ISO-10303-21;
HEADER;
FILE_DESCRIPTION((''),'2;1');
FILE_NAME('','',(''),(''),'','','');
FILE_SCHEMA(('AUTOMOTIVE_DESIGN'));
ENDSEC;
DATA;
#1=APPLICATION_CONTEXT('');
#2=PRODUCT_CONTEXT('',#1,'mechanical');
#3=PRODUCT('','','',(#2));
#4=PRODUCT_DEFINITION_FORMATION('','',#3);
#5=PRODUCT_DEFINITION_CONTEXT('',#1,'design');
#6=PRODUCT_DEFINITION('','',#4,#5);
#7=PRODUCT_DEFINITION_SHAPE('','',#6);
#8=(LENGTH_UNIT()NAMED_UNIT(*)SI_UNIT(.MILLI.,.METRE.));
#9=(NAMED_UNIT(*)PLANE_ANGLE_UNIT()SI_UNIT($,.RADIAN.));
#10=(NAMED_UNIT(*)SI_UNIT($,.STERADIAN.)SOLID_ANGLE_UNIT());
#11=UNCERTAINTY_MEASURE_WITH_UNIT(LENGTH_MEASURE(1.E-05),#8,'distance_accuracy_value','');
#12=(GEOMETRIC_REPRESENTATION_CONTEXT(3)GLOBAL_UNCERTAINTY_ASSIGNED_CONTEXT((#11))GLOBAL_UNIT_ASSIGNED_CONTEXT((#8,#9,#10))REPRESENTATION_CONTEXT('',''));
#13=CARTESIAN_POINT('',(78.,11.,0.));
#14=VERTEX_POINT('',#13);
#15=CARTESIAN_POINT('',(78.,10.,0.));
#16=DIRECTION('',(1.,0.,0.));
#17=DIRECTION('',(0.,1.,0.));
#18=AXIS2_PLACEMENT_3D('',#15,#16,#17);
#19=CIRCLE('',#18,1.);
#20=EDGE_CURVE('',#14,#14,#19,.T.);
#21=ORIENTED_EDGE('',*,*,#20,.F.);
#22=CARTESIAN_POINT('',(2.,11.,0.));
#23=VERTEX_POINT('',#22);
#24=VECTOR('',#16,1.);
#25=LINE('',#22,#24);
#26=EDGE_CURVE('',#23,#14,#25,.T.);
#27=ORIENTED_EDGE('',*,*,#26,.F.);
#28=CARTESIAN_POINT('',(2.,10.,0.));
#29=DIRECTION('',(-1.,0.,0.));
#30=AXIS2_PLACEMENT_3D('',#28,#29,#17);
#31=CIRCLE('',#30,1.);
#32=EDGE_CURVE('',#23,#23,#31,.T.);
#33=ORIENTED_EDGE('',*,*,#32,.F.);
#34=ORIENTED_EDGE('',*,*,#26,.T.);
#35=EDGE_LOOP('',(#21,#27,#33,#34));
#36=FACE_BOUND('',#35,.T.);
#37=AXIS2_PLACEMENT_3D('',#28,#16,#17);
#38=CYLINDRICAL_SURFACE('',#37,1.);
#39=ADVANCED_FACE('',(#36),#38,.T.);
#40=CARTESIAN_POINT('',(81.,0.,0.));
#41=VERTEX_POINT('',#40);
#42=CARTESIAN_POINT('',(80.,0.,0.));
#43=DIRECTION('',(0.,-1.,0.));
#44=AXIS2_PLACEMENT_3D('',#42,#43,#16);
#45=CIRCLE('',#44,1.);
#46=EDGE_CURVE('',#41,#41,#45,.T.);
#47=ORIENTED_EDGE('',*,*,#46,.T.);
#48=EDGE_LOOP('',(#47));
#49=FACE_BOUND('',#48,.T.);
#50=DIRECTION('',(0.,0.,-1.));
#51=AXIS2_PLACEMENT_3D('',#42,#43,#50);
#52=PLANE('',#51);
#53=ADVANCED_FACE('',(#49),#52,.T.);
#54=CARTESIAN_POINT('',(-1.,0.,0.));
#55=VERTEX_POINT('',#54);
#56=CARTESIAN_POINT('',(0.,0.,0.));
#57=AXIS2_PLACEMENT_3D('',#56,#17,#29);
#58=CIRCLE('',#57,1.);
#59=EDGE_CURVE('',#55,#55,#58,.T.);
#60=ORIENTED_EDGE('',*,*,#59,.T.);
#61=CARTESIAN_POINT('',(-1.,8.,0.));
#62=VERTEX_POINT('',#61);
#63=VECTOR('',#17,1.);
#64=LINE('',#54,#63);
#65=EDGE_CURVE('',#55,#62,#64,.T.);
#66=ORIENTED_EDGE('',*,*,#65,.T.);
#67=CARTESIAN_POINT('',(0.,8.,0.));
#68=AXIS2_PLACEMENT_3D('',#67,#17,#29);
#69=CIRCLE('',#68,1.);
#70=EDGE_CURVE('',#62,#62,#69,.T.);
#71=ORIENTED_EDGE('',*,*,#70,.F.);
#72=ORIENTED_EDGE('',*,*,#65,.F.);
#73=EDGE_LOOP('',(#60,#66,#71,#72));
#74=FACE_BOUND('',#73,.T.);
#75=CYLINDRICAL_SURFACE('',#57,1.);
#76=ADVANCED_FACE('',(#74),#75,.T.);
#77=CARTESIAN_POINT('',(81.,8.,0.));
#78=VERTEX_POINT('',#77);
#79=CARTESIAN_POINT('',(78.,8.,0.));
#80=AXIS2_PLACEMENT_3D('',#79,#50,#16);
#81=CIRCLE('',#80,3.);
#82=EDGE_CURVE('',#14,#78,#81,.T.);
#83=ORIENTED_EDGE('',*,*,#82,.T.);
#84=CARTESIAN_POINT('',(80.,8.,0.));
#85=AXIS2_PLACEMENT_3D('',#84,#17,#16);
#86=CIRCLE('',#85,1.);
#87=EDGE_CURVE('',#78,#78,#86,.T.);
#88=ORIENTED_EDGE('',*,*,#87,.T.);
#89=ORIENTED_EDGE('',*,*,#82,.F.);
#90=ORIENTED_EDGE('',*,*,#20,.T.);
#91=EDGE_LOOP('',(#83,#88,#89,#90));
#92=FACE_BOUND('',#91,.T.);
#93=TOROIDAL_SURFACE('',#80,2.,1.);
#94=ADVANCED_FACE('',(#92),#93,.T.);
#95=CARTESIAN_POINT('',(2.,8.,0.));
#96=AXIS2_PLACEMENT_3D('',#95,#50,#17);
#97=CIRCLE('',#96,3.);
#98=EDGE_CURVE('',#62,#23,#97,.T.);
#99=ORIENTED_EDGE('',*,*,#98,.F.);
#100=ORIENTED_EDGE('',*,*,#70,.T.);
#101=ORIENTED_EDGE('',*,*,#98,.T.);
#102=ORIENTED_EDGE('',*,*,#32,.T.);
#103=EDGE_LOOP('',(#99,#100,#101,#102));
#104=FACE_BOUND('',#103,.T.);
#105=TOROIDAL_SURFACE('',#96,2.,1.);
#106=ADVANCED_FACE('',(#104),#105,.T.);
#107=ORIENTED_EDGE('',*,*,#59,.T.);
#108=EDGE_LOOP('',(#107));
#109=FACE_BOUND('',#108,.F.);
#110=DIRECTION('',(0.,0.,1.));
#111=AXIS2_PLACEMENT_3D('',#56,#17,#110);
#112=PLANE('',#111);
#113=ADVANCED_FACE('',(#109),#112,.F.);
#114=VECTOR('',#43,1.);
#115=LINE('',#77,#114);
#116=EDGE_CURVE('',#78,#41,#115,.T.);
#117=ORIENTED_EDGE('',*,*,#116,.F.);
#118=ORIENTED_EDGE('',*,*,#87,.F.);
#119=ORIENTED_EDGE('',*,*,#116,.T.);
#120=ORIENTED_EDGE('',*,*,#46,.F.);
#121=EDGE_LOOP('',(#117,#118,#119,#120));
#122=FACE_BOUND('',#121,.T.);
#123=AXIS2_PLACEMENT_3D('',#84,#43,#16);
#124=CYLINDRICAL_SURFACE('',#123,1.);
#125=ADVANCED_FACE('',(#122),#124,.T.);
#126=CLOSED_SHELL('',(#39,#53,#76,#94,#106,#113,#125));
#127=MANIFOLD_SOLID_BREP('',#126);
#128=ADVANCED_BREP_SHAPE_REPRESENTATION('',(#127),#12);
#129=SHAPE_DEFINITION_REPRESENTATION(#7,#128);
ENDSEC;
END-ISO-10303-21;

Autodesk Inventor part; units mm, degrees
ref_plane "YZ Plane" through (0, 0, 0) normal (1, 0, 0) x (0, 1, 0)
ref_plane "XZ Plane" through (0, 0, 0) normal (0, 1, 0) x (-1, 0, 0)
ref_plane "XY Plane" through (0, 0, 0) normal (0, 0, 1) x (1, 0, 0)
sketch "Sketch1" plane through (0, 0, 0) normal (0, 0, 1) x (1, 0, 0)
  line L0 (0, 0) -> (0, 8)
  line L1 (2, 10) -> (78, 10)
  line L2 (80, 8) -> (80, 0)
  arc A0 (2, 10) -> (0, 8) centre (2, 8) ccw
  arc A1 (80, 8) -> (78, 10) centre (78, 8) ccw
  point P0 (0, 10)
  point P1 (80, 10)
  dimension "d0" = 80
  dimension "d1" = 10
  dimension "d2" = 10
  dimension "d4" = 2
sketch "Sketch2" plane through (0, 0, 0) normal (0, 1, 0) x (-1, 0, 0)
  circle A0 centre (0, 0) radius 1
  dimension "d3" = 2
sweep "Sweep1" add profiles "Sketch2" path "Sketch1"
properties part number "drut"
